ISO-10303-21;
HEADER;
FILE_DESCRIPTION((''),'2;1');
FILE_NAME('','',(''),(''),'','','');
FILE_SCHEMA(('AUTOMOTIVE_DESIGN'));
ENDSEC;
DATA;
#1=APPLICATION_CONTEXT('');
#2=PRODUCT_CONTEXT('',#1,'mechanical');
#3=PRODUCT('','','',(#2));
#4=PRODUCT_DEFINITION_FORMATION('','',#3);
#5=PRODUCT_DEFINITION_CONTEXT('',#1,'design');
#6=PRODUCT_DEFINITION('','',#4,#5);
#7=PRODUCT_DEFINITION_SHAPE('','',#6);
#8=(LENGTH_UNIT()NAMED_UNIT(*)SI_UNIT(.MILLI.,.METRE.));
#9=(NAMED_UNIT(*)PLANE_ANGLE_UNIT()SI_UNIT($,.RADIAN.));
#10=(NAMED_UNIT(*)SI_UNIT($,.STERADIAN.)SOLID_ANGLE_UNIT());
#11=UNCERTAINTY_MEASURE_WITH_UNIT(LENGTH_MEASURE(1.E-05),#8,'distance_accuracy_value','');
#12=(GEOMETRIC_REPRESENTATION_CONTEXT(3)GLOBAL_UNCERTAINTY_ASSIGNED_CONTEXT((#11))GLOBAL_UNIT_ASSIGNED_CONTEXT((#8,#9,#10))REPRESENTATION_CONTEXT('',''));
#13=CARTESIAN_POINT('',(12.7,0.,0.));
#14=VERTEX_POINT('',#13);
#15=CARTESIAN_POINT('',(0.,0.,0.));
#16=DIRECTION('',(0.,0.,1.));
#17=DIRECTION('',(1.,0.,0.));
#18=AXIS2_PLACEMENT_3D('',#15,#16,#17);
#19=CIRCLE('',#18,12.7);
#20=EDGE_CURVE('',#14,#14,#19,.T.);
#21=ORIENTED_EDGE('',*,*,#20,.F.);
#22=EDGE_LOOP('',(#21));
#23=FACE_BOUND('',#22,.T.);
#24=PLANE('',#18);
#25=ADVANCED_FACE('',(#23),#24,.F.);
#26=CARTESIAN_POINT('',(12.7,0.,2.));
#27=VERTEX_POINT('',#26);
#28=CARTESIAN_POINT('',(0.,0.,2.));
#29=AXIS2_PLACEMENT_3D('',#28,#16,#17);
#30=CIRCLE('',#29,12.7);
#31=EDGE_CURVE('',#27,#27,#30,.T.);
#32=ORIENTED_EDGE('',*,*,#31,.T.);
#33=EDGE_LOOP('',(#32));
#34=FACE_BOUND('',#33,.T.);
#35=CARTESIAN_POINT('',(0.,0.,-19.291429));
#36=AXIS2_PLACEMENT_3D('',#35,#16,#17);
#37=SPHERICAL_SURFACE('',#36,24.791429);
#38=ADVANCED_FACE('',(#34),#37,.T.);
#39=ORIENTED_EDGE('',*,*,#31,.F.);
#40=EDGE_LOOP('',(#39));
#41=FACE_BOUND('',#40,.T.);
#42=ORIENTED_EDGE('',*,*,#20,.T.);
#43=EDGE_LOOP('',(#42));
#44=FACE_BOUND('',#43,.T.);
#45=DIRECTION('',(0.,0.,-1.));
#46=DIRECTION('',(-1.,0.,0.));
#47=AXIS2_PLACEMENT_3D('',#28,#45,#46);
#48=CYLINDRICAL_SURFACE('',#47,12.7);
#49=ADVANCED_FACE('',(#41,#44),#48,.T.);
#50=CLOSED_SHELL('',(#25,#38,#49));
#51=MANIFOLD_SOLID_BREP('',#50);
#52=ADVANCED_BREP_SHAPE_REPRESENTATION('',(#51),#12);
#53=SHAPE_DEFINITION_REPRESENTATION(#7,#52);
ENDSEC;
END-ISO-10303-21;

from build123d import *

# Parameters (mm, degrees)
SKETCH_1_R         = 12.7
EXTRUDE_1_DEPTH    = 2
DOME_1_FACE_RADIUS = 12.7
DOME_1_HEIGHT      = 3.5


with BuildPart() as part:
    # 草图1 → 凸台-拉伸1 (new body)
    with BuildSketch(Plane.XY):
        Circle(SKETCH_1_R)
    extrude(amount=EXTRUDE_1_DEPTH)

    # 圆顶1: a dome of height H over a round flat face of radius A is a cap of a sphere of radius (A * A + H * H) / (2 * H)
    dome_1_r = (DOME_1_FACE_RADIUS * DOME_1_FACE_RADIUS + DOME_1_HEIGHT * DOME_1_HEIGHT) / (2 * DOME_1_HEIGHT)
    dome_1_base = Plane((0, 0, 2), z_dir=(0, 0, 1))
    with Locations(dome_1_base.offset(DOME_1_HEIGHT - dome_1_r)):
        dome_1_ball = Sphere(dome_1_r, mode=Mode.PRIVATE)
    add(split(dome_1_ball, bisect_by=dome_1_base, keep=Keep.TOP, mode=Mode.PRIVATE))


solid = part.part
